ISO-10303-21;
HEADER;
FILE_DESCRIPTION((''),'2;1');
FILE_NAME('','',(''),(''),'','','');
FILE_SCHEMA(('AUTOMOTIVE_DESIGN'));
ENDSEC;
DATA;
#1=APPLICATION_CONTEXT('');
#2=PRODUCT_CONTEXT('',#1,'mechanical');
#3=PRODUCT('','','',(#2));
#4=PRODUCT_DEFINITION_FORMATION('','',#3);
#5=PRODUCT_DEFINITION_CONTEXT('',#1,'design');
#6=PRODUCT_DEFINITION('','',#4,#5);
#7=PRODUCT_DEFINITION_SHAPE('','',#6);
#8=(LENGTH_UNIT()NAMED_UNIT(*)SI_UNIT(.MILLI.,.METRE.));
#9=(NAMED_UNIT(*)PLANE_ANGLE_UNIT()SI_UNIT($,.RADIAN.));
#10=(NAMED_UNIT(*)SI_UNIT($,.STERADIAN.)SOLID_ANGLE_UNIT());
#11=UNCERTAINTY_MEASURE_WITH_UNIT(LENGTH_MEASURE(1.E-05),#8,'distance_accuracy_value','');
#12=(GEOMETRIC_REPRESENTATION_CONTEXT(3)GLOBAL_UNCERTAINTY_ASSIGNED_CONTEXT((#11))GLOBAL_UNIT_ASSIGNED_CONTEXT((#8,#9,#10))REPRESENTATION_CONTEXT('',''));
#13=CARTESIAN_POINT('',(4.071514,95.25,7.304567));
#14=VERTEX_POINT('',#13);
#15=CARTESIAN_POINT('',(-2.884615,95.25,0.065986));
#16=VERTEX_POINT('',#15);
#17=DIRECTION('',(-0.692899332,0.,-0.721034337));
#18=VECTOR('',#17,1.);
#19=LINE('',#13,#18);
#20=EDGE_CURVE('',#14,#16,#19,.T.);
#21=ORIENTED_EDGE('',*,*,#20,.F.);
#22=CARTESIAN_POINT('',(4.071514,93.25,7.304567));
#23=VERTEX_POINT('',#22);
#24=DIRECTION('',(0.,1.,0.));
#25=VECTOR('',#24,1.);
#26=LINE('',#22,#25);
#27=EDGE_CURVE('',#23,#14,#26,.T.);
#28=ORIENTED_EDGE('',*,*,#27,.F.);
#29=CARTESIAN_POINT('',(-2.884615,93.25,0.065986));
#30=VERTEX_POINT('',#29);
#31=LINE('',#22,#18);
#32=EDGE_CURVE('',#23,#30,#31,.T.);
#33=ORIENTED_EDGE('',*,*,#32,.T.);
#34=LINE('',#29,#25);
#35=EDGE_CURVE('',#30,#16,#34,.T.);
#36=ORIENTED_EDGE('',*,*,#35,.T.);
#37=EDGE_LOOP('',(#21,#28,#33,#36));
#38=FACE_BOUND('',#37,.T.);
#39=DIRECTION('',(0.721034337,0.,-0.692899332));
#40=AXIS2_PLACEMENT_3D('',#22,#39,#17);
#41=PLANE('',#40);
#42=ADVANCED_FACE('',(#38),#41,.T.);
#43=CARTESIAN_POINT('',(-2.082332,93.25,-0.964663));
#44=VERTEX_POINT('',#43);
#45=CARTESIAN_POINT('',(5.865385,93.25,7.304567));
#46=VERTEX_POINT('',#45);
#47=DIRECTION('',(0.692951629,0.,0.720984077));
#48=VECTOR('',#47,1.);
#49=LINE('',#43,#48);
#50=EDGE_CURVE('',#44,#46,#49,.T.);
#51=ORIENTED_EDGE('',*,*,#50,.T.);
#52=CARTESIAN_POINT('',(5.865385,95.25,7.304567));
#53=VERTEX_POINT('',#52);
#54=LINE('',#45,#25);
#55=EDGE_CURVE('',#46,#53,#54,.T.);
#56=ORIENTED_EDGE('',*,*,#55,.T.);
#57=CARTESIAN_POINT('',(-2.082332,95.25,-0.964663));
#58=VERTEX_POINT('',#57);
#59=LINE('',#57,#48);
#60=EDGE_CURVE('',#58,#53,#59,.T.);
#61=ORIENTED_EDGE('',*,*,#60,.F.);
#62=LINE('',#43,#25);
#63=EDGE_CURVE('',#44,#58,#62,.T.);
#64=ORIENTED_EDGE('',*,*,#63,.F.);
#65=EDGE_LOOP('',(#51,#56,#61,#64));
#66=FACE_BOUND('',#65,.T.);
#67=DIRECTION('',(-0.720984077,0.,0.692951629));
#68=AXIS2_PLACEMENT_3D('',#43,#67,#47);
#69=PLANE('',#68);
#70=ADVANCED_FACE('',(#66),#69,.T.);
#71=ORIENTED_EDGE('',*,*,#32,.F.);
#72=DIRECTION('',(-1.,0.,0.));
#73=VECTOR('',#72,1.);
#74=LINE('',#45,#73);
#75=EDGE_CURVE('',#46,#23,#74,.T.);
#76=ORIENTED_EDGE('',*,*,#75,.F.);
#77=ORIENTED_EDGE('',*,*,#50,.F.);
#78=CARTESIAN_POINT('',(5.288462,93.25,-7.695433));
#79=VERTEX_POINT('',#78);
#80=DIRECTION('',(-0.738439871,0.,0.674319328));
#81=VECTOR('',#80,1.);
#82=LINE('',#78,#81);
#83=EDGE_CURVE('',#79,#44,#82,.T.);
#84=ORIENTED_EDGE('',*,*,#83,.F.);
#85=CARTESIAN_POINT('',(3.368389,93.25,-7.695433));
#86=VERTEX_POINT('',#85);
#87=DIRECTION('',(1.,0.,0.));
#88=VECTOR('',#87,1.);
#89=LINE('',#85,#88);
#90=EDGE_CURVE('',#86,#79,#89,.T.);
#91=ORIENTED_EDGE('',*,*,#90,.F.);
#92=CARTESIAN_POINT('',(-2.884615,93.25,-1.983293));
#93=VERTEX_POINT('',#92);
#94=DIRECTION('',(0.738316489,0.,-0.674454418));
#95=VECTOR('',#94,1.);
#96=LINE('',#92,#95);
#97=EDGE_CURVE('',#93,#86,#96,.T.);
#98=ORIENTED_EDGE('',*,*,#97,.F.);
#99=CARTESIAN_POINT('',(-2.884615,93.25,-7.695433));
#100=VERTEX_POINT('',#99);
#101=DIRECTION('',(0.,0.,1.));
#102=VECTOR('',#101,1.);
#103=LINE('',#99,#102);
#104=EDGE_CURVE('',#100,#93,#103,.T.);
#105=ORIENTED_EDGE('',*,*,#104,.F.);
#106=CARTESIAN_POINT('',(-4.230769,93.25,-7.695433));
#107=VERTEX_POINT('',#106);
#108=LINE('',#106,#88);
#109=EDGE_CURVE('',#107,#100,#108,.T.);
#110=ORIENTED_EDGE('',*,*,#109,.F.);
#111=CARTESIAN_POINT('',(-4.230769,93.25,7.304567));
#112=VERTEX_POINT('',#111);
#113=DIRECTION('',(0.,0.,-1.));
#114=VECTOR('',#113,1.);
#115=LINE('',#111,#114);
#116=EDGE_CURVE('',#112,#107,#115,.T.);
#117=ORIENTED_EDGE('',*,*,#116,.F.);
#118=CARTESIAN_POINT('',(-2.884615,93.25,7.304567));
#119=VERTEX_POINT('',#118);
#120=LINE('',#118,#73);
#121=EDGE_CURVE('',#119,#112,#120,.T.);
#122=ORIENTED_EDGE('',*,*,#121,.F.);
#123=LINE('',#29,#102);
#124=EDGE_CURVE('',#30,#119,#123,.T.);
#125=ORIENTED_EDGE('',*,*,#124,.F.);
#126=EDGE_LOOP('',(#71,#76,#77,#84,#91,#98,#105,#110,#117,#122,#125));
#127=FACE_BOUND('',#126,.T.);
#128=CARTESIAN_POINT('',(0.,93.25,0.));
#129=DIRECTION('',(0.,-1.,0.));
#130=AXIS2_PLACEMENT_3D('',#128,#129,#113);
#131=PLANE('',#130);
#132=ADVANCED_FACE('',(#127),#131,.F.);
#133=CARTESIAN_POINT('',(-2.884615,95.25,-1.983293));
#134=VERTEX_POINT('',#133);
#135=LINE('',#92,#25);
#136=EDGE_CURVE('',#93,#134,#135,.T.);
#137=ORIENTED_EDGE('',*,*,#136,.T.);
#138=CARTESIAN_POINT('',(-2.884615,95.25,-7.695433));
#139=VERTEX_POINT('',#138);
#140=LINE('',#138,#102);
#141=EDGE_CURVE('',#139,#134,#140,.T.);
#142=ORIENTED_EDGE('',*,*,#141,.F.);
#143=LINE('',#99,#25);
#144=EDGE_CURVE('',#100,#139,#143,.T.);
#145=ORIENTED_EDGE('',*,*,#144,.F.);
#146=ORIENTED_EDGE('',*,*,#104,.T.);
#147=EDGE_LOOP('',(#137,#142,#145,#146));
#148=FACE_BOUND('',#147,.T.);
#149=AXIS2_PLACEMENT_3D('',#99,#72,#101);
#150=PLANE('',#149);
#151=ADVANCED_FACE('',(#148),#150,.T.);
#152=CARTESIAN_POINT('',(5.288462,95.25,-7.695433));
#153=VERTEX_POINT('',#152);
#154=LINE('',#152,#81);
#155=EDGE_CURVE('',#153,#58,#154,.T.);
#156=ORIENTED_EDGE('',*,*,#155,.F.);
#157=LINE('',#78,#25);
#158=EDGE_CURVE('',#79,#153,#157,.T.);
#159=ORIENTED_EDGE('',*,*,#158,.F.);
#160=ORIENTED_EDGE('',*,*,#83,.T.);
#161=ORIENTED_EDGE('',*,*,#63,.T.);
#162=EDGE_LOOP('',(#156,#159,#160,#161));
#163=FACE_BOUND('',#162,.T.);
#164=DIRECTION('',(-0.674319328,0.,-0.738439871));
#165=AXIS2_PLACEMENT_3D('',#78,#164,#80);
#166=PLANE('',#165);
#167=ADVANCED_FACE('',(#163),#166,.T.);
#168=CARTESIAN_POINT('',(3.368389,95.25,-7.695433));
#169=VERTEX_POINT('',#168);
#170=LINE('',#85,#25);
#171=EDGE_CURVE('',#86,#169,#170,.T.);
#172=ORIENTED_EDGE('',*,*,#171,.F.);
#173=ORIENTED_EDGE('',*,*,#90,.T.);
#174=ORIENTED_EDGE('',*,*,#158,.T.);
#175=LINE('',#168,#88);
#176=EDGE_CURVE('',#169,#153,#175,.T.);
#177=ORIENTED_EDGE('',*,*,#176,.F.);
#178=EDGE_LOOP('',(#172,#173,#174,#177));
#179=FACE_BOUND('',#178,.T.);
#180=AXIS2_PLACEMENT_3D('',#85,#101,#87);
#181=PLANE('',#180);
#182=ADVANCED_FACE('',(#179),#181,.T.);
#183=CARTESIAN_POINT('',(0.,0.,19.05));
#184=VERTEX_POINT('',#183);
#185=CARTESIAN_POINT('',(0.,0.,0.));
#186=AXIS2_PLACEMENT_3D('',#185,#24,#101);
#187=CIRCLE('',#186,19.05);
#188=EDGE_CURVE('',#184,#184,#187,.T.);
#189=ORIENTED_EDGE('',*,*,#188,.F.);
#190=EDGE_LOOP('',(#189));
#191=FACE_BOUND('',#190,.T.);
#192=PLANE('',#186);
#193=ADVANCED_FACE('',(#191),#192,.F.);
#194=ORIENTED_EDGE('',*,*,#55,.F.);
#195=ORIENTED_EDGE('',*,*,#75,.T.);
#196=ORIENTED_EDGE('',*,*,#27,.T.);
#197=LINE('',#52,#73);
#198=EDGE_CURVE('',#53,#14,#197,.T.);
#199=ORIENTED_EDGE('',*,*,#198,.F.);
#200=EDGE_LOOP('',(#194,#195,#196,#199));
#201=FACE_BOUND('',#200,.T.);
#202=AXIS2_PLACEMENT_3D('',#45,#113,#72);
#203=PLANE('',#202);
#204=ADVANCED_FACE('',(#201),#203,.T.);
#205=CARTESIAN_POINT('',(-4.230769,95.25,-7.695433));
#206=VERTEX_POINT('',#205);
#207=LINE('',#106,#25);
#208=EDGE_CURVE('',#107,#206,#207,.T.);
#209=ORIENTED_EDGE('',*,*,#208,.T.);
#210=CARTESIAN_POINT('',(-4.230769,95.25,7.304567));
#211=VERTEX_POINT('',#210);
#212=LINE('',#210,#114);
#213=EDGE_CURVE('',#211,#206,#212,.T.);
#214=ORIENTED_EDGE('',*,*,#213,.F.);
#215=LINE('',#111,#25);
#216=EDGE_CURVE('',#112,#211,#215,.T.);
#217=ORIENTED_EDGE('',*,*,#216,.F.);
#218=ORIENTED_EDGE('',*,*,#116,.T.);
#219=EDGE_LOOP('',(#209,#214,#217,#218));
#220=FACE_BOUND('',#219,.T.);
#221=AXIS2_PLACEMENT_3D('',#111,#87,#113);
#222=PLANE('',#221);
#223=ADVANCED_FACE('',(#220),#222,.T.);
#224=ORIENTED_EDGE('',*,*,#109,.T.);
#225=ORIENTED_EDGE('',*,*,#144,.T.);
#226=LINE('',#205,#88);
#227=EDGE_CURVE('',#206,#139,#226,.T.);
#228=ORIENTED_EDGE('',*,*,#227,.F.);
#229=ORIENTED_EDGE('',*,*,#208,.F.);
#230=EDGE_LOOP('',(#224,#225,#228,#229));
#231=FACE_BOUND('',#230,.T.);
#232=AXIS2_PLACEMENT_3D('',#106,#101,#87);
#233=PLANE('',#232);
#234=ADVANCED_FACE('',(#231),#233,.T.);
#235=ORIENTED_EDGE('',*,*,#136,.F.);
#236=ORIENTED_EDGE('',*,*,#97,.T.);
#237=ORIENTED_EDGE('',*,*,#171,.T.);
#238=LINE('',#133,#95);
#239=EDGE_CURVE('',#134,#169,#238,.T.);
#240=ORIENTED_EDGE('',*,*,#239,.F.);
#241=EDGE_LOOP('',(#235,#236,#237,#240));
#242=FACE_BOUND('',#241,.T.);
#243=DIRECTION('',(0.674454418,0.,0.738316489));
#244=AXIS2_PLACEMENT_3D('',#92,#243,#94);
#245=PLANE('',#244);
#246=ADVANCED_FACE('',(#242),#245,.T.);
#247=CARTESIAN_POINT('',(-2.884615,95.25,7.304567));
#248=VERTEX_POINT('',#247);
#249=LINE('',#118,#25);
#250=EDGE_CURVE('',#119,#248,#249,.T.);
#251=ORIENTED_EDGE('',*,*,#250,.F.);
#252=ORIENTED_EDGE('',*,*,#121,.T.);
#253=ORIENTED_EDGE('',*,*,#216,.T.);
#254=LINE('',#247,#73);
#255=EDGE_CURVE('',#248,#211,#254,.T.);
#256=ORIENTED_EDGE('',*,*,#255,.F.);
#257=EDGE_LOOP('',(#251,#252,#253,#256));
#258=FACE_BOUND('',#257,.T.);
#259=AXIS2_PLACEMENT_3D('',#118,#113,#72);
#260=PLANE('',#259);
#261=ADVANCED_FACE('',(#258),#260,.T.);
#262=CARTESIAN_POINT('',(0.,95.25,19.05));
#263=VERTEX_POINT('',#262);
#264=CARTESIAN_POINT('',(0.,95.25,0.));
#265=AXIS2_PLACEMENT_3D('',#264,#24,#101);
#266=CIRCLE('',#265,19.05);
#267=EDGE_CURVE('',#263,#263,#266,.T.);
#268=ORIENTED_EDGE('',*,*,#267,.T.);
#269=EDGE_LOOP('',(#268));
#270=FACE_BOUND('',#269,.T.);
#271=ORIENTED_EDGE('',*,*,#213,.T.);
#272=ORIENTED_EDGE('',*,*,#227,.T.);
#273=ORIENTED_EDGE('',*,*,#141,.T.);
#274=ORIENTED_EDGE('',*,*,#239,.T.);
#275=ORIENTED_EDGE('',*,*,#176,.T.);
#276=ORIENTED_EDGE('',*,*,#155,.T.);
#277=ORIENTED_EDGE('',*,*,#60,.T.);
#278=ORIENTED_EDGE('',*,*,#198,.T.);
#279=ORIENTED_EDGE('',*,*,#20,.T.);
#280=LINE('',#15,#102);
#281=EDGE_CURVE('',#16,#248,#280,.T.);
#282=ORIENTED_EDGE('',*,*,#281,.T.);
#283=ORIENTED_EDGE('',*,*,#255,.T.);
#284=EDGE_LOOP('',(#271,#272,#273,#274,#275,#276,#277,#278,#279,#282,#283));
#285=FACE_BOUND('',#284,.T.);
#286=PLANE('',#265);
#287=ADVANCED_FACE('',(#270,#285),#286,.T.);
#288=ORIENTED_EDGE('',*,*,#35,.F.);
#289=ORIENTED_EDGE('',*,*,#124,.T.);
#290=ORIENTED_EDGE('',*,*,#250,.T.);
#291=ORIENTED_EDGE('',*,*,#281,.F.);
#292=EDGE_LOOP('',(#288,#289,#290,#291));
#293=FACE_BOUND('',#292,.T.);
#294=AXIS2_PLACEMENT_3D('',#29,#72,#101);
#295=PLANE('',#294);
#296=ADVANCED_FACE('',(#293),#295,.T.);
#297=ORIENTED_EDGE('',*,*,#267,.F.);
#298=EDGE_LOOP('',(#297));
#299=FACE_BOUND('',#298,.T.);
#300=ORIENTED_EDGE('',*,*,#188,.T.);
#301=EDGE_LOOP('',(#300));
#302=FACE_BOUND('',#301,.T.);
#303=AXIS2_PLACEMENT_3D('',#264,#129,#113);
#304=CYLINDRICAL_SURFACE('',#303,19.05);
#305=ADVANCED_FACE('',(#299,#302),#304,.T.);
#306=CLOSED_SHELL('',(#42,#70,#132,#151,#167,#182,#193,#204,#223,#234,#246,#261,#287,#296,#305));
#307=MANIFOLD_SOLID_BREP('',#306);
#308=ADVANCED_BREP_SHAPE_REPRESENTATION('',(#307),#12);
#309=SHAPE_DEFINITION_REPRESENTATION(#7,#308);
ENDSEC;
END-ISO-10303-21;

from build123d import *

# Parameters (mm, degrees)
SKETCH1_R           = 19.05
BOSS_EXTRUDE1_DEPTH = 95.25
CUT_EXTRUDE1_DEPTH  = 2


with BuildPart() as part:
    # Sketch1 → Boss-Extrude1 (new body)
    with BuildSketch(Plane(origin=(0, 0, 0), x_dir=(1, 0, 0), z_dir=(0, 1, 0))):
        with Locations(Location((0, 0, 0), (0, 0, 270))):
            Circle(SKETCH1_R)
    extrude(amount=BOSS_EXTRUDE1_DEPTH)

    # Sketch2 → Cut-Extrude1 (cut)
    with BuildSketch(Plane(origin=(0, 95.25, 0), x_dir=(1, 0, 0), z_dir=(0, 1, 0))):
        Polygon((-4.230769231, 7.695432728), (-2.884615385, 7.695432728), (-2.884615385, 1.983293305), (3.368389423, 7.695432728), (5.288461538, 7.695432728), (-2.082331731, 0.964663498), (5.865384615, -7.304567272), (4.071514423, -7.304567272), (-2.884615385, -0.065985541), (-2.884615385, -7.304567272), (-4.230769231, -7.304567272), align=None)
    extrude(amount=-CUT_EXTRUDE1_DEPTH, mode=Mode.SUBTRACT)


solid = part.part
